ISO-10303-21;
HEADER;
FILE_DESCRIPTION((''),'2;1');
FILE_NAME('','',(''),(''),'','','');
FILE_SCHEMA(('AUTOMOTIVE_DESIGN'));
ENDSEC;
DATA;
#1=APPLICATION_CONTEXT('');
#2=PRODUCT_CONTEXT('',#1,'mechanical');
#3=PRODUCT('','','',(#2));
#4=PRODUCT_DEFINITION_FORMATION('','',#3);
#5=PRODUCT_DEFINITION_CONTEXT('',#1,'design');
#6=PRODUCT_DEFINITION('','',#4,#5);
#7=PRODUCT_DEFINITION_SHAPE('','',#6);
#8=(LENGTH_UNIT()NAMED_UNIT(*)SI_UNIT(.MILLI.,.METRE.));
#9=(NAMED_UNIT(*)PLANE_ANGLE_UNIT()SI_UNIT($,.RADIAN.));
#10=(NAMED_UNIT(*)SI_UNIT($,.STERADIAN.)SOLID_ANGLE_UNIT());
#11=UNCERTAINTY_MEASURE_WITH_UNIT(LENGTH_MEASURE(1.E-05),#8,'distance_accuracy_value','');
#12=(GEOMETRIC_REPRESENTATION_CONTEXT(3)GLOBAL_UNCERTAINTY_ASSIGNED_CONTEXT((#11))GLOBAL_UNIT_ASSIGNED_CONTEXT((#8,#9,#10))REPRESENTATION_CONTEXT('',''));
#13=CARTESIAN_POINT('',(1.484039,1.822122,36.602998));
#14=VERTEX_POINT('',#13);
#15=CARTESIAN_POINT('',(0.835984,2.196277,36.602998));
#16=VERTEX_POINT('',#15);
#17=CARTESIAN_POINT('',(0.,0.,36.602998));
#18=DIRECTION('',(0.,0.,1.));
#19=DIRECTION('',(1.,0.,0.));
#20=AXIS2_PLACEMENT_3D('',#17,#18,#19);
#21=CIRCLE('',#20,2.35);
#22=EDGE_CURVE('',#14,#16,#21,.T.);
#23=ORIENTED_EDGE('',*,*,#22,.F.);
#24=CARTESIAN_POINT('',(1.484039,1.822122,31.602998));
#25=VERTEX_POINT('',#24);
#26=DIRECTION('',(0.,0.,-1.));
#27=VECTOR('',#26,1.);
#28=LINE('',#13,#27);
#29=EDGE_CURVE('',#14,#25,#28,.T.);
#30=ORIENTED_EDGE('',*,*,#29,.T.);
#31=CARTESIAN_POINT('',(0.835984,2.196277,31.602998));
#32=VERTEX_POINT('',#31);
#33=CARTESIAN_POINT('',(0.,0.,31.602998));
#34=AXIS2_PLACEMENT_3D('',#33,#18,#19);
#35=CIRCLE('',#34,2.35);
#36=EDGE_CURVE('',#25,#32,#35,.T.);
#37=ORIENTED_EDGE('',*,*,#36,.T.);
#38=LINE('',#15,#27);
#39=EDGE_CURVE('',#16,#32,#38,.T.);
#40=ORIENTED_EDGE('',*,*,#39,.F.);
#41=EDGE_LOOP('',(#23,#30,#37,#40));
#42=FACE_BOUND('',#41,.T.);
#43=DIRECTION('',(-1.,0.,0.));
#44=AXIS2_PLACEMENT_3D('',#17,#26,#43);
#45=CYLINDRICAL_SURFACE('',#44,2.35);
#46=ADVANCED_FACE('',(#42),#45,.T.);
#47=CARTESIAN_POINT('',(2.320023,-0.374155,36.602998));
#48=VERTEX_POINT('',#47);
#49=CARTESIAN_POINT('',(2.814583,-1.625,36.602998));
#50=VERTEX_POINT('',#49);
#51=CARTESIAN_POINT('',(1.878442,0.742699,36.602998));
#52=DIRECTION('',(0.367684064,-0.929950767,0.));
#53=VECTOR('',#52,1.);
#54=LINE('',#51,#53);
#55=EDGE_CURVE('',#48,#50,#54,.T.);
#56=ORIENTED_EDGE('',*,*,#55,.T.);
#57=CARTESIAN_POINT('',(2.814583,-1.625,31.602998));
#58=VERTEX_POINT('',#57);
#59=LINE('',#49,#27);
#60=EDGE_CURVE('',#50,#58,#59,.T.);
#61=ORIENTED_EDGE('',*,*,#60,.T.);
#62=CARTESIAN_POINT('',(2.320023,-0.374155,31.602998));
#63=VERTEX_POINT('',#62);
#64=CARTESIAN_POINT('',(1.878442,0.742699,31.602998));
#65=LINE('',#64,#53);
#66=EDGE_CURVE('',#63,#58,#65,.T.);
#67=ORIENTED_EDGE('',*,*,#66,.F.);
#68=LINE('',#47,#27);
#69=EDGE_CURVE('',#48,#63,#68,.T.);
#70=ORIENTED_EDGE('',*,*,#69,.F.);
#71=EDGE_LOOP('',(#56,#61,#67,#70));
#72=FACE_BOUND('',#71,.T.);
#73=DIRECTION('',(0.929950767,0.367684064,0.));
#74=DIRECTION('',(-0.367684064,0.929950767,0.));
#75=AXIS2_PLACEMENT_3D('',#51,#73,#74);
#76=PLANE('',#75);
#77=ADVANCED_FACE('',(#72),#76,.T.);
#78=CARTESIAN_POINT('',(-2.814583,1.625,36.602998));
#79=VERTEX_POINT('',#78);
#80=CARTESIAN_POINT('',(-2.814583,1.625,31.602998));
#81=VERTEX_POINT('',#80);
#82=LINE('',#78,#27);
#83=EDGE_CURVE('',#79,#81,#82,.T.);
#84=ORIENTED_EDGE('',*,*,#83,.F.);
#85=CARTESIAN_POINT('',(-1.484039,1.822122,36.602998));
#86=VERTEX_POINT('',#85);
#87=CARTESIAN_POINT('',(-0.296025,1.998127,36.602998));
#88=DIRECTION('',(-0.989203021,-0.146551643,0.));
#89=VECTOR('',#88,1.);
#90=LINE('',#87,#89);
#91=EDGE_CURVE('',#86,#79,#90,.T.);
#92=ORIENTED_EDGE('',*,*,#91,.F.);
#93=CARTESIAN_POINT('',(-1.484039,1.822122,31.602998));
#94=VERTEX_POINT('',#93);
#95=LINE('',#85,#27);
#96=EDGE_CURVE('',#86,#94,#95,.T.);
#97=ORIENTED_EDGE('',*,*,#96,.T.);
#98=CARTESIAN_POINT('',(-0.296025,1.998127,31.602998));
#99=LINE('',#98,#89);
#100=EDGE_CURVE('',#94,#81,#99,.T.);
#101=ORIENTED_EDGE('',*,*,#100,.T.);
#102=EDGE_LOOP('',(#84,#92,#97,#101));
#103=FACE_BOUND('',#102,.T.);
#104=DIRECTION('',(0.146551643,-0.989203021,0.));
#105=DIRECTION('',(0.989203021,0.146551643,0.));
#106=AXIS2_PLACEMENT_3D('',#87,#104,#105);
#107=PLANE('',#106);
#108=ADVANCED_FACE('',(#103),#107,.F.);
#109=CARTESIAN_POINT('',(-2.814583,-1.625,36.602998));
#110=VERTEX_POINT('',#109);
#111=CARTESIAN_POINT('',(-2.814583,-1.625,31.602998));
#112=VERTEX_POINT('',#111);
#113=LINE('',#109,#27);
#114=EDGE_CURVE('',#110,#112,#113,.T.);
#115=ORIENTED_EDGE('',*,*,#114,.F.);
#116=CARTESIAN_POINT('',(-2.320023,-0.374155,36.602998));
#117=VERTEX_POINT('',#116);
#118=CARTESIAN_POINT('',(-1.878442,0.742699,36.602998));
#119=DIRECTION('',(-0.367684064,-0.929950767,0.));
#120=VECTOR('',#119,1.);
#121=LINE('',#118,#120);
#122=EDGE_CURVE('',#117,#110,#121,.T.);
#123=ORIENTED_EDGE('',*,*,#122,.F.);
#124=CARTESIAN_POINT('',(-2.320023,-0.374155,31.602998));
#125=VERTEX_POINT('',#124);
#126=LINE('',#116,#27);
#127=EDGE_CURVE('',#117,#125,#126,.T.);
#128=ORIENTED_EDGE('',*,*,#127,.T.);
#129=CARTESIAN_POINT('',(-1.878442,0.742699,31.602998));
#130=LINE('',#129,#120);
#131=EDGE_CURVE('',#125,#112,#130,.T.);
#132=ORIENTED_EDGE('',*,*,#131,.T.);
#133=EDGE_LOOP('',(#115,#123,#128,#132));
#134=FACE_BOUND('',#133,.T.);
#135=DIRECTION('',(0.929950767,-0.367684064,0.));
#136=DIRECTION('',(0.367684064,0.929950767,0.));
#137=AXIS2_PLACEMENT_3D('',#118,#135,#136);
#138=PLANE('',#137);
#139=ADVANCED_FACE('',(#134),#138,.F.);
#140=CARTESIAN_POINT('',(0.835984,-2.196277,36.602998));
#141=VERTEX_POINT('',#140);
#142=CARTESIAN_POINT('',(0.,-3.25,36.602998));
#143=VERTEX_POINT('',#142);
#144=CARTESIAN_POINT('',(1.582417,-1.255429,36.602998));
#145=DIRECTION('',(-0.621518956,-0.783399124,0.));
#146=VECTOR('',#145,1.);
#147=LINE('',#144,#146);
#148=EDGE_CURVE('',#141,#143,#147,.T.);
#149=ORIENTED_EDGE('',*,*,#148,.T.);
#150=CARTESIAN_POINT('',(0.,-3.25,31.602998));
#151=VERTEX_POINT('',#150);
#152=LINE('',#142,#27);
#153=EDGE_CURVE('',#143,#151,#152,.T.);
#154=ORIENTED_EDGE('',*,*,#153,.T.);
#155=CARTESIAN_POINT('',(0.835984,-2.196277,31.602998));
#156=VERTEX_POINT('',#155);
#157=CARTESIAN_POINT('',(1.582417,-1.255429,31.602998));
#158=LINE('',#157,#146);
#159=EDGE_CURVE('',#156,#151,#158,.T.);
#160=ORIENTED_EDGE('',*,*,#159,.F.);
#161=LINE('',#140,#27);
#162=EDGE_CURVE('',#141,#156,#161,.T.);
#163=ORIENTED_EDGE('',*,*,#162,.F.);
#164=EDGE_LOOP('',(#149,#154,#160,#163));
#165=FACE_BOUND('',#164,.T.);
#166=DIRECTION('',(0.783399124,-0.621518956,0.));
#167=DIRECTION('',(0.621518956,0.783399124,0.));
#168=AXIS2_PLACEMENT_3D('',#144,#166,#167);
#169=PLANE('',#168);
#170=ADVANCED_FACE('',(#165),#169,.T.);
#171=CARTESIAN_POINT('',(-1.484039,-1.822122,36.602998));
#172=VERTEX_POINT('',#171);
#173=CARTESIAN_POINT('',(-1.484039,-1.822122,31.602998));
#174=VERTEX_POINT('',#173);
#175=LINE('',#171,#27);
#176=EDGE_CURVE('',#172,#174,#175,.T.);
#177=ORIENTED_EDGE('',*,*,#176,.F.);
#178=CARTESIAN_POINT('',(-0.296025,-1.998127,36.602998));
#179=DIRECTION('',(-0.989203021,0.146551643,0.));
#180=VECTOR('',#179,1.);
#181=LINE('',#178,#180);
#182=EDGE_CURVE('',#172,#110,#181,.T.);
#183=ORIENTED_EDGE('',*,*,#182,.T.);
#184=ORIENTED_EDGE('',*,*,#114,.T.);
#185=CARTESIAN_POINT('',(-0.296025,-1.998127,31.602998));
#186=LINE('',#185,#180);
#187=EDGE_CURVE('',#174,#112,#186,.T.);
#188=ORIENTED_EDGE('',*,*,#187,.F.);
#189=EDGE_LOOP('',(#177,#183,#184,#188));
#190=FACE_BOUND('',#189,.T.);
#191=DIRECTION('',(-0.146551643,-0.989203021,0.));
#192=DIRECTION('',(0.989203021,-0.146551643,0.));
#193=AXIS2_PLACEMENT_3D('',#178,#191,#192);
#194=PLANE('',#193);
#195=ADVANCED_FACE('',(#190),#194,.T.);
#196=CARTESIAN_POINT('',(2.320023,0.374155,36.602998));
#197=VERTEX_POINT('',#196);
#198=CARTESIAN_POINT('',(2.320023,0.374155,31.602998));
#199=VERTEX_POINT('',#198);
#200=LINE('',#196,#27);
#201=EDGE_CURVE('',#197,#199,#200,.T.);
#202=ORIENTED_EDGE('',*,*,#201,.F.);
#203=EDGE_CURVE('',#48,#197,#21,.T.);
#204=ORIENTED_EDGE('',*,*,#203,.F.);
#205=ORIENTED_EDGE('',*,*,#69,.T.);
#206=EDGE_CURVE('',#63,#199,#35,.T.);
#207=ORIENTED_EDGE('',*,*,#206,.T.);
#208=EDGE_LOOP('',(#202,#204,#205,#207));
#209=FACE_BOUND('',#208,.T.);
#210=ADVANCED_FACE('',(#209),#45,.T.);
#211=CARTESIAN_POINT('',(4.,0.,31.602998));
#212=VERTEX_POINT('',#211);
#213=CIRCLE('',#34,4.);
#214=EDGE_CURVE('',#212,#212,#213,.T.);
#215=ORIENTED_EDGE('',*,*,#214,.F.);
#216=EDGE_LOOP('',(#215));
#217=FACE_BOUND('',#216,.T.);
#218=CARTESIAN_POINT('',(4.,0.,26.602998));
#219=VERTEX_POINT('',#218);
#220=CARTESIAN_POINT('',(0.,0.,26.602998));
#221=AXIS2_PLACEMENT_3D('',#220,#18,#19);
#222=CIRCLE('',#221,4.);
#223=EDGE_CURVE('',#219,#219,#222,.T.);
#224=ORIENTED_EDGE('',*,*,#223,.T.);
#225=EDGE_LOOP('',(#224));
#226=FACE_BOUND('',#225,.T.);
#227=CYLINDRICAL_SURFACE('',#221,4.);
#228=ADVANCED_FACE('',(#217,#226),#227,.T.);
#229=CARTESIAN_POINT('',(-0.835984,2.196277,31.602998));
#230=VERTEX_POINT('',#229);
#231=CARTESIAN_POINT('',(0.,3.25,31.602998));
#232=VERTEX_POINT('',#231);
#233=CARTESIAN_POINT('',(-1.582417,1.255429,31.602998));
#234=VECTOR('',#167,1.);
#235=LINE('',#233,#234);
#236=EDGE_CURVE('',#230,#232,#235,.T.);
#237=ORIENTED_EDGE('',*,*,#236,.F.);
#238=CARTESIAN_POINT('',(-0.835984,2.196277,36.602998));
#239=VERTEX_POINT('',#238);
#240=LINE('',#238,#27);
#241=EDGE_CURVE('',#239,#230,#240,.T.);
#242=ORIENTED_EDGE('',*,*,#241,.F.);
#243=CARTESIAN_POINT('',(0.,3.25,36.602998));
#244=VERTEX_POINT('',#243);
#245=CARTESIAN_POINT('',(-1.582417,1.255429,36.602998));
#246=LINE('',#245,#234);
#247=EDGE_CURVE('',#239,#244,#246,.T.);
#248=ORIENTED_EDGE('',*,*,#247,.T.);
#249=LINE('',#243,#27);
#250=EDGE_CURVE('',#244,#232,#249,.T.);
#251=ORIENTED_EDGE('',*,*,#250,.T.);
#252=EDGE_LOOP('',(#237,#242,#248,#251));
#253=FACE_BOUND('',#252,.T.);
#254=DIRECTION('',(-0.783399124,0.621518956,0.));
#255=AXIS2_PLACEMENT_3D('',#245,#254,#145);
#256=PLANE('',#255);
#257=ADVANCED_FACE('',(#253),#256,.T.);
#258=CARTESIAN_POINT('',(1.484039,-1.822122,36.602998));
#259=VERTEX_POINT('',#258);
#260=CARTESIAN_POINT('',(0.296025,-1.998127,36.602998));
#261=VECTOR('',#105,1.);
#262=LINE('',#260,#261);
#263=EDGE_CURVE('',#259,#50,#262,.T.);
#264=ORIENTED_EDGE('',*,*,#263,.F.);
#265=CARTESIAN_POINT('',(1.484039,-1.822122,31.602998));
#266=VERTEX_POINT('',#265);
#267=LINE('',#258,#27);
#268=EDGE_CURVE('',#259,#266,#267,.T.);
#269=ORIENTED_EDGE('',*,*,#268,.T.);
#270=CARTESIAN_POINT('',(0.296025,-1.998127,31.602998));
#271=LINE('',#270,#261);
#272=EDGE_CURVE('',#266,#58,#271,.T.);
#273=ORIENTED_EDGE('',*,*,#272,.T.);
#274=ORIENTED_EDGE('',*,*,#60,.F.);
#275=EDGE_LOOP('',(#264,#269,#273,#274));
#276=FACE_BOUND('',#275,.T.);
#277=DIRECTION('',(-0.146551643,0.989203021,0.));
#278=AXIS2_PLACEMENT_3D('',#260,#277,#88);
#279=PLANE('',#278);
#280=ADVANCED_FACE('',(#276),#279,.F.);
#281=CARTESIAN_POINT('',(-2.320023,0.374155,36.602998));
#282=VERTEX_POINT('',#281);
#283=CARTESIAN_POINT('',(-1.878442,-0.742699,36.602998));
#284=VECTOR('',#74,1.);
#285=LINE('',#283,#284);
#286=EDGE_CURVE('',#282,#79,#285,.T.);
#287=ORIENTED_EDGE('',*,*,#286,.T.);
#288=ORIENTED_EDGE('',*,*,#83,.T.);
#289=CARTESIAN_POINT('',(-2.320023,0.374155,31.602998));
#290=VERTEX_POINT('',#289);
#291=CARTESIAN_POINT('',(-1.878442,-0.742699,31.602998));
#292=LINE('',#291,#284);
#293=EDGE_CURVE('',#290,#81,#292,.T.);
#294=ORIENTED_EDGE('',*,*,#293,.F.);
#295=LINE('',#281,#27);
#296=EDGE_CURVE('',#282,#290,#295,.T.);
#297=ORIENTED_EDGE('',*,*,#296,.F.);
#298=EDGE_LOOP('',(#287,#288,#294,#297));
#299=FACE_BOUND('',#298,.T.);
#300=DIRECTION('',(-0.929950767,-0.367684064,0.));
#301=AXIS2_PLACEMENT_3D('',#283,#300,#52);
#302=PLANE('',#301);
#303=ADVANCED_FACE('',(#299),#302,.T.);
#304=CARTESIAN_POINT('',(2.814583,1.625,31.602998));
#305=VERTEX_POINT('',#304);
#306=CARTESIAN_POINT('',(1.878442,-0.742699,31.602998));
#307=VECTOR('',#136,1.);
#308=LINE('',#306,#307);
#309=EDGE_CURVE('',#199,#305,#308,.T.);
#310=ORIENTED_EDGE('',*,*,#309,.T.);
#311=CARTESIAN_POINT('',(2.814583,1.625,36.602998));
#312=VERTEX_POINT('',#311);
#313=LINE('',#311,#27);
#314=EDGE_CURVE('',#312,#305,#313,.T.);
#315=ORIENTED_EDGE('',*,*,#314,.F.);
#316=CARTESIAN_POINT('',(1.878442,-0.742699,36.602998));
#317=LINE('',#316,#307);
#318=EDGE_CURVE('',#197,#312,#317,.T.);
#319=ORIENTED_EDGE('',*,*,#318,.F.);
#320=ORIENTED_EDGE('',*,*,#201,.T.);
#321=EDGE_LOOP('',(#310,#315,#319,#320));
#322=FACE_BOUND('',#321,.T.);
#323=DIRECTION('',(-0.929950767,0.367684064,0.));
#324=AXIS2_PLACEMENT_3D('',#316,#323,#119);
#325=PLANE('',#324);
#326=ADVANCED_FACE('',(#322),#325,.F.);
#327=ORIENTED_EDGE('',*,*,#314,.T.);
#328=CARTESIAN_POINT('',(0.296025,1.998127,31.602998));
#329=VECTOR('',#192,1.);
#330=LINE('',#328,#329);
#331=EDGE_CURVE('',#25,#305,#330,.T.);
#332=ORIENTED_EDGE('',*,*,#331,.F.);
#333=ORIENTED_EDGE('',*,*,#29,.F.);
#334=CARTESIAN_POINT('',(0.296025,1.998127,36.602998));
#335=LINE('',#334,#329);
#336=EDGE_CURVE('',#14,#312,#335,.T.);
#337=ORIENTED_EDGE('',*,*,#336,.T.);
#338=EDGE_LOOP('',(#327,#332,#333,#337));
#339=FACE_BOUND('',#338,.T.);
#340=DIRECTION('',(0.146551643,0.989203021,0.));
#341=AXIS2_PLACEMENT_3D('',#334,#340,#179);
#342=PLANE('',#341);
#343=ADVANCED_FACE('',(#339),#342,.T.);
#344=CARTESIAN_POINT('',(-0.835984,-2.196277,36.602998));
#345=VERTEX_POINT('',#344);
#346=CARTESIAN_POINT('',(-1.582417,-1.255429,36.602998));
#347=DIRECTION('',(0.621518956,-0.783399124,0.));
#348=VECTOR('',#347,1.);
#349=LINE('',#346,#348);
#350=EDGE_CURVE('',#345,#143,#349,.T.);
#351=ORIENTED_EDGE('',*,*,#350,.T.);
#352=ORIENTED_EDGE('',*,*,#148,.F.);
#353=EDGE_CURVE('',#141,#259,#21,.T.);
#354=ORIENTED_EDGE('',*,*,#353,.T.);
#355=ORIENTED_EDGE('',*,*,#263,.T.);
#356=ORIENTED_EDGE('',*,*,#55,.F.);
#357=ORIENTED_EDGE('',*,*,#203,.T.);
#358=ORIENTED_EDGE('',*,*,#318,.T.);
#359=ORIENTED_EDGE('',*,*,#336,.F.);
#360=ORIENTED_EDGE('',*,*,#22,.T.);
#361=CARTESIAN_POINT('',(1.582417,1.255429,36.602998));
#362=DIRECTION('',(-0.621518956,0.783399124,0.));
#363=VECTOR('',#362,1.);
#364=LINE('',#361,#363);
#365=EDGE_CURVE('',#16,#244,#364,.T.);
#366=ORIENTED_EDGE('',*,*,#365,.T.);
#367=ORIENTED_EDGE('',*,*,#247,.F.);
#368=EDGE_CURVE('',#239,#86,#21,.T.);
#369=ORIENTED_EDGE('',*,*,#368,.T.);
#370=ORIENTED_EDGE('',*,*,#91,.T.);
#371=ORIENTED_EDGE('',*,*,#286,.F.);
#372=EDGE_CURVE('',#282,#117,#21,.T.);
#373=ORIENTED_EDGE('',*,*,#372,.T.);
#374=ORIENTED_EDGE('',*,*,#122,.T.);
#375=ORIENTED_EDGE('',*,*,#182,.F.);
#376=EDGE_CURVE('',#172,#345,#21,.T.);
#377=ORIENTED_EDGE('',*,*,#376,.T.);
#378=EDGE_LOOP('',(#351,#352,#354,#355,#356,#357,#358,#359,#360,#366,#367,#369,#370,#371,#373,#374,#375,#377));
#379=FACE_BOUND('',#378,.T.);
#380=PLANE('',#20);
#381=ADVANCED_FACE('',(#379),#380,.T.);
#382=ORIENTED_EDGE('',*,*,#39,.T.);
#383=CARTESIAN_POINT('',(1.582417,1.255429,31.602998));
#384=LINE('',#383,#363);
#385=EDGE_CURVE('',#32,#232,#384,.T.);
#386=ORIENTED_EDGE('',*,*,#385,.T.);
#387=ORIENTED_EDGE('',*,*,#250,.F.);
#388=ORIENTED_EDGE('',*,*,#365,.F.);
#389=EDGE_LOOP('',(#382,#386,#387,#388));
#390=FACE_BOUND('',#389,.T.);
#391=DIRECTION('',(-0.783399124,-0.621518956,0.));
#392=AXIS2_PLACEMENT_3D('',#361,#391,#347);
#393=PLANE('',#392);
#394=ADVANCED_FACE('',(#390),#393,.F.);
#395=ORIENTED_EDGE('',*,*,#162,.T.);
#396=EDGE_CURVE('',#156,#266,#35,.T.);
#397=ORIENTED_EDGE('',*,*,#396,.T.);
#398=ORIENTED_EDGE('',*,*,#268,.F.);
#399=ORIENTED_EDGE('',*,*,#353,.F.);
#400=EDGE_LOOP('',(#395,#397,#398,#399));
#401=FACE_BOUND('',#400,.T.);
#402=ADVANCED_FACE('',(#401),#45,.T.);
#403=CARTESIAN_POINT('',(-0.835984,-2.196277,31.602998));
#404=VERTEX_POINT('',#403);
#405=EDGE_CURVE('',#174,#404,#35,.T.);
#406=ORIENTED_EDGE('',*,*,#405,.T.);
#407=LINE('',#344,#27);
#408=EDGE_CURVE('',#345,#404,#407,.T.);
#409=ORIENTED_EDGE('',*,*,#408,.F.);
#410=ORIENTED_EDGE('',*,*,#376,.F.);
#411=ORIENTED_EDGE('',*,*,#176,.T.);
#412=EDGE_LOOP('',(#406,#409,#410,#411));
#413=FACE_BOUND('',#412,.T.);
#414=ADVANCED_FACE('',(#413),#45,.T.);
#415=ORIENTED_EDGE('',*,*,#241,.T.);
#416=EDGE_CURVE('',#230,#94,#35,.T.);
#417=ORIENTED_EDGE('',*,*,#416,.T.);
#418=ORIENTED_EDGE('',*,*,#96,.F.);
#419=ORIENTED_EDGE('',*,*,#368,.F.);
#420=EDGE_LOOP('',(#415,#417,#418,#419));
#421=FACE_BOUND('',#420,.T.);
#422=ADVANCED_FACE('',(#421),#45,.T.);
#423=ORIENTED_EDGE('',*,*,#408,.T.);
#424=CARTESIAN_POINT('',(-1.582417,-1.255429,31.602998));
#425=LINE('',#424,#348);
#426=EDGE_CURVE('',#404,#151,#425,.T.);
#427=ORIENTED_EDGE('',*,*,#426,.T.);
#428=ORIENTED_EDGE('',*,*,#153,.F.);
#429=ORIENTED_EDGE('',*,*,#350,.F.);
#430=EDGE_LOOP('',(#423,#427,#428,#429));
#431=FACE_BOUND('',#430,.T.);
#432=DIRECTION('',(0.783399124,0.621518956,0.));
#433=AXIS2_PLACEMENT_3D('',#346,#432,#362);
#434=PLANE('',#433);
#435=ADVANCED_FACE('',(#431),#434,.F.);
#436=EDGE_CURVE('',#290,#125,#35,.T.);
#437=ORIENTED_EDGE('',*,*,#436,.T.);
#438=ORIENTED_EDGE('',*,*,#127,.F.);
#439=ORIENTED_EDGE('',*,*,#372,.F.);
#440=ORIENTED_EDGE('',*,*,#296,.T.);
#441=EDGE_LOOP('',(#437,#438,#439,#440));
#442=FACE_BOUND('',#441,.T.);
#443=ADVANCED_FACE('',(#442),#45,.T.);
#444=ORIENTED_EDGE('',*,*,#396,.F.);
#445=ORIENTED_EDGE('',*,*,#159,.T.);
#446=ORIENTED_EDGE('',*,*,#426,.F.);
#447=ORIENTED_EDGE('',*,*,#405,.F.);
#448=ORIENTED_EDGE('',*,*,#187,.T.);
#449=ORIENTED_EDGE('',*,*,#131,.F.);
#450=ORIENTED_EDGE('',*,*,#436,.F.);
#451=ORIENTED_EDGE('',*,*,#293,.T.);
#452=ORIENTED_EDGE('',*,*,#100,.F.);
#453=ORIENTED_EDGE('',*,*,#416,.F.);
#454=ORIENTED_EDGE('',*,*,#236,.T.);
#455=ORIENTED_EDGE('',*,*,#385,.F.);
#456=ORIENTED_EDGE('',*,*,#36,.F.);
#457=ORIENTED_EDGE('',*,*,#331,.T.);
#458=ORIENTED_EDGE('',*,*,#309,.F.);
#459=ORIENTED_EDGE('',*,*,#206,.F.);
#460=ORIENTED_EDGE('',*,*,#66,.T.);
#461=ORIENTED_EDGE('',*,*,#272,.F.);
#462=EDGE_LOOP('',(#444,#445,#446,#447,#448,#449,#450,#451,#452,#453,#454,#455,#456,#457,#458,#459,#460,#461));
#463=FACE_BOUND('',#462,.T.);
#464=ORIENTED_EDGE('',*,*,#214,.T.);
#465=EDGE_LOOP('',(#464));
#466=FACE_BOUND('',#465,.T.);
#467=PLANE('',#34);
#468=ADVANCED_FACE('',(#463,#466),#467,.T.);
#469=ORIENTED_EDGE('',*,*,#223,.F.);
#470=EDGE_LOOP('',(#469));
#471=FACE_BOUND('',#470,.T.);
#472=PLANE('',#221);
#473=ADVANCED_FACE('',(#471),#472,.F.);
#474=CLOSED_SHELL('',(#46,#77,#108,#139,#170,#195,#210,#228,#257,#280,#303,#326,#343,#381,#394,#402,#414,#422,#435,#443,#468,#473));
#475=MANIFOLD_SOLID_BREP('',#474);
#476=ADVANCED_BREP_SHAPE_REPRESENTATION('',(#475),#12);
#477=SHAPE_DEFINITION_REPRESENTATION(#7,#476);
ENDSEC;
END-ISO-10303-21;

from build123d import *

# Parameters (mm, degrees)
SKETCH_2_R      = 2.35
EXTRUDE_2_DEPTH = 5
SKETCH_3_R      = 4
EXTRUDE_4_DEPTH = 5


with BuildPart() as part:
    # Эскиз2 → Бобышка-Вытянуть2 (new body)
    with BuildSketch(Plane.XY.offset(31.602998)):
        Circle(SKETCH_2_R)
        with BuildLine():
            Line((0, 3.25), (-0.83598392, 2.196276596))
            ThreePointArc((-0.83598392, 2.196276596), (0, 2.35), (0.83598392, 2.196276596))
            Line((0.83598392, 2.196276596), (0, 3.25))
        make_face()
        with BuildLine():
            Line((2.814582562, 1.625), (1.484039366, 1.82212161))
            ThreePointArc((1.484039366, 1.82212161), (2.035159699, 1.175), (2.320023286, 0.374154986))
            Line((2.320023286, 0.374154986), (2.814582562, 1.625))
        make_face()
        with BuildLine():
            Line((2.814582562, -1.625), (2.320023286, -0.374154986))
            ThreePointArc((2.320023286, -0.374154986), (2.035159699, -1.175), (1.484039366, -1.82212161))
            Line((1.484039366, -1.82212161), (2.814582562, -1.625))
        make_face()
        with BuildLine():
            ThreePointArc((0.83598392, -2.196276596), (0, -2.35), (-0.83598392, -2.196276596))
            Line((-0.83598392, -2.196276596), (0, -3.25))
            Line((0, -3.25), (0.83598392, -2.196276596))
        make_face()
        with BuildLine():
            ThreePointArc((-1.484039366, -1.82212161), (-2.035159699, -1.175), (-2.320023286, -0.374154986))
            Line((-2.320023286, -0.374154986), (-2.814582562, -1.625))
            Line((-2.814582562, -1.625), (-1.484039366, -1.82212161))
        make_face()
        with BuildLine():
            ThreePointArc((-2.320023286, 0.374154986), (-2.035159699, 1.175), (-1.484039366, 1.82212161))
            Line((-1.484039366, 1.82212161), (-2.814582562, 1.625))
            Line((-2.814582562, 1.625), (-2.320023286, 0.374154986))
        make_face()
    extrude(amount=EXTRUDE_2_DEPTH)

    # Эскиз3 → Бобышка-Вытянуть4 (add)
    with BuildSketch(Plane.XY.offset(31.602998)):
        Circle(SKETCH_3_R)
    extrude(amount=-EXTRUDE_4_DEPTH)


solid = part.part
